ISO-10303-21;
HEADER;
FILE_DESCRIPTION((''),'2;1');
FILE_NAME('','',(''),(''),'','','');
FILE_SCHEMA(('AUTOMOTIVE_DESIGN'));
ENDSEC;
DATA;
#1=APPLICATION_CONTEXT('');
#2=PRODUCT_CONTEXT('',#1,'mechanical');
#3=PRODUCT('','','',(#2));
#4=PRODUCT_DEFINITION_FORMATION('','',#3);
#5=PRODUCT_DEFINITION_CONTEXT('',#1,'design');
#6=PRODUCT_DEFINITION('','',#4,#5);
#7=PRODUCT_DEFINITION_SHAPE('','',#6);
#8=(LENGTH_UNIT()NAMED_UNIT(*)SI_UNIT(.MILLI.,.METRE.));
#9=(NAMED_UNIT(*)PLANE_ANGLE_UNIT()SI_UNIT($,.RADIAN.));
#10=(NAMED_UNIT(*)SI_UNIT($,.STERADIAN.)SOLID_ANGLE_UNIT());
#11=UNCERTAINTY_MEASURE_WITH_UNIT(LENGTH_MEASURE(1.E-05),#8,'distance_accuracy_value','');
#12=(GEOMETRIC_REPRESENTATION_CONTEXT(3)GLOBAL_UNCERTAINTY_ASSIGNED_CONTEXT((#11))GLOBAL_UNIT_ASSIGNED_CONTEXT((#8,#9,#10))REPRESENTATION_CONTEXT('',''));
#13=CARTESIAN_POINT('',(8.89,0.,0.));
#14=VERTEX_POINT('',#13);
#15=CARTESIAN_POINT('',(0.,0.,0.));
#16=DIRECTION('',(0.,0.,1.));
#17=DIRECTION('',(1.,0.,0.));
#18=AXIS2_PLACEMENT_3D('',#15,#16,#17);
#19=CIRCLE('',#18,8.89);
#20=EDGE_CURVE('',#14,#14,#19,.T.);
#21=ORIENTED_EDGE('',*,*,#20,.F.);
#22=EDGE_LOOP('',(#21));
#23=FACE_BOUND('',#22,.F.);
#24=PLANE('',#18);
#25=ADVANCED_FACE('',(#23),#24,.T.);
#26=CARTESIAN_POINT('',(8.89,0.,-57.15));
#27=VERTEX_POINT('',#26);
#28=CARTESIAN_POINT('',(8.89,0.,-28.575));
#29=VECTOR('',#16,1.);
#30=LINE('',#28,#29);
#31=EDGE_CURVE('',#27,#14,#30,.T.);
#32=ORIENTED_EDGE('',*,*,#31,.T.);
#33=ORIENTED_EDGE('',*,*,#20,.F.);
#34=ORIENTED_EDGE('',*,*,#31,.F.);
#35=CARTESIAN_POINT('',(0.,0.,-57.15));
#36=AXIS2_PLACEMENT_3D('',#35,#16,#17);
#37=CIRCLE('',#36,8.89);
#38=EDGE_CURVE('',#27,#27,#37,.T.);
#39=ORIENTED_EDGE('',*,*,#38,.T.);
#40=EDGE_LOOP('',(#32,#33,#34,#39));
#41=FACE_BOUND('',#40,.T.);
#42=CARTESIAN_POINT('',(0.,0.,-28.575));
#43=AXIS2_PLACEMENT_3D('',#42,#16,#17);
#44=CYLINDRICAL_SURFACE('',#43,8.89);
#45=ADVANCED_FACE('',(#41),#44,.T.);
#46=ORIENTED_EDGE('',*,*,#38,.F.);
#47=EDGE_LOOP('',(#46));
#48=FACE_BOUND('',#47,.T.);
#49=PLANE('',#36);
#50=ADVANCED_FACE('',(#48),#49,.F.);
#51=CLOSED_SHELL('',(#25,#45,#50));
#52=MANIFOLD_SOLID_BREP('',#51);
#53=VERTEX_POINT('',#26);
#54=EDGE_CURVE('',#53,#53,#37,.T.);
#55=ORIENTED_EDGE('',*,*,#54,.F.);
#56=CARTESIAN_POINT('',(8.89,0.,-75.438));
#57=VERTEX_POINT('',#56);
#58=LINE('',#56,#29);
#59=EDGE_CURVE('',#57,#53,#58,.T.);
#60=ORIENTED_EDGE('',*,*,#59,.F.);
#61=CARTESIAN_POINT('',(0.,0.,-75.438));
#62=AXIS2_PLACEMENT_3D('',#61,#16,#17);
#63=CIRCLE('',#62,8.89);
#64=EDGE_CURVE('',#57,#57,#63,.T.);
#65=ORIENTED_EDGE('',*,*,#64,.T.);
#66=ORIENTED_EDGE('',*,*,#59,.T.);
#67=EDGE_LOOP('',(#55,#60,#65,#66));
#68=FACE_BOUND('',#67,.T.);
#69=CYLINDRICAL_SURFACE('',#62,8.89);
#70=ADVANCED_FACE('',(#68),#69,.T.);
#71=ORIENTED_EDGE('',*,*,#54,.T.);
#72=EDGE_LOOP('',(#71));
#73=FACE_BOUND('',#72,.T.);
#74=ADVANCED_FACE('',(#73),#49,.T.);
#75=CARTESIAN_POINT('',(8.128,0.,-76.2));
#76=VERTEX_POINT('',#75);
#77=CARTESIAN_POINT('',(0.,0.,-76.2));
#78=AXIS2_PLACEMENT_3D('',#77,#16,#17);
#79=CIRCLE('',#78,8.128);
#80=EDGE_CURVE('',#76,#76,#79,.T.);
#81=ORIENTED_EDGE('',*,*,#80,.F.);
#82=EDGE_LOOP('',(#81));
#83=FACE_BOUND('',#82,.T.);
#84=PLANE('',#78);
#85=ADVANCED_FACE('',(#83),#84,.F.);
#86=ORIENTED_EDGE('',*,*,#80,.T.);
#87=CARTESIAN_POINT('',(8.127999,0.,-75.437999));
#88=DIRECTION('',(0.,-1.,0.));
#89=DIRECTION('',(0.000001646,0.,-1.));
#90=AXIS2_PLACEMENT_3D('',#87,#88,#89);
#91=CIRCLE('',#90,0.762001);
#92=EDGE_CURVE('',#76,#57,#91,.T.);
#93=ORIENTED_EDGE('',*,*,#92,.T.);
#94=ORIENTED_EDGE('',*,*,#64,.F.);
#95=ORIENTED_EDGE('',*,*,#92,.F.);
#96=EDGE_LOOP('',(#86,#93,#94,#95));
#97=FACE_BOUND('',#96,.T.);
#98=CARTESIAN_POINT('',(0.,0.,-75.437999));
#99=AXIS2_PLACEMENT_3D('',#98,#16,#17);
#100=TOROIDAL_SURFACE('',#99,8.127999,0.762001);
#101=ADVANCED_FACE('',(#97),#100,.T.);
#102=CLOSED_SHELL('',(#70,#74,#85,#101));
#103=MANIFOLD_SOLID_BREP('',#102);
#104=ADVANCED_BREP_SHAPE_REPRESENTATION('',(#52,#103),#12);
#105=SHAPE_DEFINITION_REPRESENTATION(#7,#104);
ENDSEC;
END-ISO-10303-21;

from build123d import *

# Parameters (mm, degrees)
F0_W = 8.89
F0_H = 57.15


with BuildPart() as f1:
    # F0 (on Front) → F1 (revolve)
    with BuildSketch(Plane.XZ):
        with BuildLine():
            Line((8.89, -57.15), (0, -57.15))
            Line((0, -57.15), (0, -76.2))
            Line((0, -76.2), (8.128, -76.2))
            ThreePointArc((8.128, -76.2), (8.666815, -75.976815), (8.89, -75.438))
            Line((8.89, -75.438), (8.89, -57.15))
        make_face()
    revolve(axis=Axis((0, 0, -66.675), (0, 0, 1)))


with BuildPart() as f2:
    # F0 (on Front) → F2 (revolve)
    with BuildSketch(Plane.XZ):
        with Locations((4.445, -28.575)):
            Rectangle(F0_W, F0_H)
    revolve(axis=Axis((0, 0, -28.575), (0, 0, 1)))


solid = Compound([f1.part, f2.part])
